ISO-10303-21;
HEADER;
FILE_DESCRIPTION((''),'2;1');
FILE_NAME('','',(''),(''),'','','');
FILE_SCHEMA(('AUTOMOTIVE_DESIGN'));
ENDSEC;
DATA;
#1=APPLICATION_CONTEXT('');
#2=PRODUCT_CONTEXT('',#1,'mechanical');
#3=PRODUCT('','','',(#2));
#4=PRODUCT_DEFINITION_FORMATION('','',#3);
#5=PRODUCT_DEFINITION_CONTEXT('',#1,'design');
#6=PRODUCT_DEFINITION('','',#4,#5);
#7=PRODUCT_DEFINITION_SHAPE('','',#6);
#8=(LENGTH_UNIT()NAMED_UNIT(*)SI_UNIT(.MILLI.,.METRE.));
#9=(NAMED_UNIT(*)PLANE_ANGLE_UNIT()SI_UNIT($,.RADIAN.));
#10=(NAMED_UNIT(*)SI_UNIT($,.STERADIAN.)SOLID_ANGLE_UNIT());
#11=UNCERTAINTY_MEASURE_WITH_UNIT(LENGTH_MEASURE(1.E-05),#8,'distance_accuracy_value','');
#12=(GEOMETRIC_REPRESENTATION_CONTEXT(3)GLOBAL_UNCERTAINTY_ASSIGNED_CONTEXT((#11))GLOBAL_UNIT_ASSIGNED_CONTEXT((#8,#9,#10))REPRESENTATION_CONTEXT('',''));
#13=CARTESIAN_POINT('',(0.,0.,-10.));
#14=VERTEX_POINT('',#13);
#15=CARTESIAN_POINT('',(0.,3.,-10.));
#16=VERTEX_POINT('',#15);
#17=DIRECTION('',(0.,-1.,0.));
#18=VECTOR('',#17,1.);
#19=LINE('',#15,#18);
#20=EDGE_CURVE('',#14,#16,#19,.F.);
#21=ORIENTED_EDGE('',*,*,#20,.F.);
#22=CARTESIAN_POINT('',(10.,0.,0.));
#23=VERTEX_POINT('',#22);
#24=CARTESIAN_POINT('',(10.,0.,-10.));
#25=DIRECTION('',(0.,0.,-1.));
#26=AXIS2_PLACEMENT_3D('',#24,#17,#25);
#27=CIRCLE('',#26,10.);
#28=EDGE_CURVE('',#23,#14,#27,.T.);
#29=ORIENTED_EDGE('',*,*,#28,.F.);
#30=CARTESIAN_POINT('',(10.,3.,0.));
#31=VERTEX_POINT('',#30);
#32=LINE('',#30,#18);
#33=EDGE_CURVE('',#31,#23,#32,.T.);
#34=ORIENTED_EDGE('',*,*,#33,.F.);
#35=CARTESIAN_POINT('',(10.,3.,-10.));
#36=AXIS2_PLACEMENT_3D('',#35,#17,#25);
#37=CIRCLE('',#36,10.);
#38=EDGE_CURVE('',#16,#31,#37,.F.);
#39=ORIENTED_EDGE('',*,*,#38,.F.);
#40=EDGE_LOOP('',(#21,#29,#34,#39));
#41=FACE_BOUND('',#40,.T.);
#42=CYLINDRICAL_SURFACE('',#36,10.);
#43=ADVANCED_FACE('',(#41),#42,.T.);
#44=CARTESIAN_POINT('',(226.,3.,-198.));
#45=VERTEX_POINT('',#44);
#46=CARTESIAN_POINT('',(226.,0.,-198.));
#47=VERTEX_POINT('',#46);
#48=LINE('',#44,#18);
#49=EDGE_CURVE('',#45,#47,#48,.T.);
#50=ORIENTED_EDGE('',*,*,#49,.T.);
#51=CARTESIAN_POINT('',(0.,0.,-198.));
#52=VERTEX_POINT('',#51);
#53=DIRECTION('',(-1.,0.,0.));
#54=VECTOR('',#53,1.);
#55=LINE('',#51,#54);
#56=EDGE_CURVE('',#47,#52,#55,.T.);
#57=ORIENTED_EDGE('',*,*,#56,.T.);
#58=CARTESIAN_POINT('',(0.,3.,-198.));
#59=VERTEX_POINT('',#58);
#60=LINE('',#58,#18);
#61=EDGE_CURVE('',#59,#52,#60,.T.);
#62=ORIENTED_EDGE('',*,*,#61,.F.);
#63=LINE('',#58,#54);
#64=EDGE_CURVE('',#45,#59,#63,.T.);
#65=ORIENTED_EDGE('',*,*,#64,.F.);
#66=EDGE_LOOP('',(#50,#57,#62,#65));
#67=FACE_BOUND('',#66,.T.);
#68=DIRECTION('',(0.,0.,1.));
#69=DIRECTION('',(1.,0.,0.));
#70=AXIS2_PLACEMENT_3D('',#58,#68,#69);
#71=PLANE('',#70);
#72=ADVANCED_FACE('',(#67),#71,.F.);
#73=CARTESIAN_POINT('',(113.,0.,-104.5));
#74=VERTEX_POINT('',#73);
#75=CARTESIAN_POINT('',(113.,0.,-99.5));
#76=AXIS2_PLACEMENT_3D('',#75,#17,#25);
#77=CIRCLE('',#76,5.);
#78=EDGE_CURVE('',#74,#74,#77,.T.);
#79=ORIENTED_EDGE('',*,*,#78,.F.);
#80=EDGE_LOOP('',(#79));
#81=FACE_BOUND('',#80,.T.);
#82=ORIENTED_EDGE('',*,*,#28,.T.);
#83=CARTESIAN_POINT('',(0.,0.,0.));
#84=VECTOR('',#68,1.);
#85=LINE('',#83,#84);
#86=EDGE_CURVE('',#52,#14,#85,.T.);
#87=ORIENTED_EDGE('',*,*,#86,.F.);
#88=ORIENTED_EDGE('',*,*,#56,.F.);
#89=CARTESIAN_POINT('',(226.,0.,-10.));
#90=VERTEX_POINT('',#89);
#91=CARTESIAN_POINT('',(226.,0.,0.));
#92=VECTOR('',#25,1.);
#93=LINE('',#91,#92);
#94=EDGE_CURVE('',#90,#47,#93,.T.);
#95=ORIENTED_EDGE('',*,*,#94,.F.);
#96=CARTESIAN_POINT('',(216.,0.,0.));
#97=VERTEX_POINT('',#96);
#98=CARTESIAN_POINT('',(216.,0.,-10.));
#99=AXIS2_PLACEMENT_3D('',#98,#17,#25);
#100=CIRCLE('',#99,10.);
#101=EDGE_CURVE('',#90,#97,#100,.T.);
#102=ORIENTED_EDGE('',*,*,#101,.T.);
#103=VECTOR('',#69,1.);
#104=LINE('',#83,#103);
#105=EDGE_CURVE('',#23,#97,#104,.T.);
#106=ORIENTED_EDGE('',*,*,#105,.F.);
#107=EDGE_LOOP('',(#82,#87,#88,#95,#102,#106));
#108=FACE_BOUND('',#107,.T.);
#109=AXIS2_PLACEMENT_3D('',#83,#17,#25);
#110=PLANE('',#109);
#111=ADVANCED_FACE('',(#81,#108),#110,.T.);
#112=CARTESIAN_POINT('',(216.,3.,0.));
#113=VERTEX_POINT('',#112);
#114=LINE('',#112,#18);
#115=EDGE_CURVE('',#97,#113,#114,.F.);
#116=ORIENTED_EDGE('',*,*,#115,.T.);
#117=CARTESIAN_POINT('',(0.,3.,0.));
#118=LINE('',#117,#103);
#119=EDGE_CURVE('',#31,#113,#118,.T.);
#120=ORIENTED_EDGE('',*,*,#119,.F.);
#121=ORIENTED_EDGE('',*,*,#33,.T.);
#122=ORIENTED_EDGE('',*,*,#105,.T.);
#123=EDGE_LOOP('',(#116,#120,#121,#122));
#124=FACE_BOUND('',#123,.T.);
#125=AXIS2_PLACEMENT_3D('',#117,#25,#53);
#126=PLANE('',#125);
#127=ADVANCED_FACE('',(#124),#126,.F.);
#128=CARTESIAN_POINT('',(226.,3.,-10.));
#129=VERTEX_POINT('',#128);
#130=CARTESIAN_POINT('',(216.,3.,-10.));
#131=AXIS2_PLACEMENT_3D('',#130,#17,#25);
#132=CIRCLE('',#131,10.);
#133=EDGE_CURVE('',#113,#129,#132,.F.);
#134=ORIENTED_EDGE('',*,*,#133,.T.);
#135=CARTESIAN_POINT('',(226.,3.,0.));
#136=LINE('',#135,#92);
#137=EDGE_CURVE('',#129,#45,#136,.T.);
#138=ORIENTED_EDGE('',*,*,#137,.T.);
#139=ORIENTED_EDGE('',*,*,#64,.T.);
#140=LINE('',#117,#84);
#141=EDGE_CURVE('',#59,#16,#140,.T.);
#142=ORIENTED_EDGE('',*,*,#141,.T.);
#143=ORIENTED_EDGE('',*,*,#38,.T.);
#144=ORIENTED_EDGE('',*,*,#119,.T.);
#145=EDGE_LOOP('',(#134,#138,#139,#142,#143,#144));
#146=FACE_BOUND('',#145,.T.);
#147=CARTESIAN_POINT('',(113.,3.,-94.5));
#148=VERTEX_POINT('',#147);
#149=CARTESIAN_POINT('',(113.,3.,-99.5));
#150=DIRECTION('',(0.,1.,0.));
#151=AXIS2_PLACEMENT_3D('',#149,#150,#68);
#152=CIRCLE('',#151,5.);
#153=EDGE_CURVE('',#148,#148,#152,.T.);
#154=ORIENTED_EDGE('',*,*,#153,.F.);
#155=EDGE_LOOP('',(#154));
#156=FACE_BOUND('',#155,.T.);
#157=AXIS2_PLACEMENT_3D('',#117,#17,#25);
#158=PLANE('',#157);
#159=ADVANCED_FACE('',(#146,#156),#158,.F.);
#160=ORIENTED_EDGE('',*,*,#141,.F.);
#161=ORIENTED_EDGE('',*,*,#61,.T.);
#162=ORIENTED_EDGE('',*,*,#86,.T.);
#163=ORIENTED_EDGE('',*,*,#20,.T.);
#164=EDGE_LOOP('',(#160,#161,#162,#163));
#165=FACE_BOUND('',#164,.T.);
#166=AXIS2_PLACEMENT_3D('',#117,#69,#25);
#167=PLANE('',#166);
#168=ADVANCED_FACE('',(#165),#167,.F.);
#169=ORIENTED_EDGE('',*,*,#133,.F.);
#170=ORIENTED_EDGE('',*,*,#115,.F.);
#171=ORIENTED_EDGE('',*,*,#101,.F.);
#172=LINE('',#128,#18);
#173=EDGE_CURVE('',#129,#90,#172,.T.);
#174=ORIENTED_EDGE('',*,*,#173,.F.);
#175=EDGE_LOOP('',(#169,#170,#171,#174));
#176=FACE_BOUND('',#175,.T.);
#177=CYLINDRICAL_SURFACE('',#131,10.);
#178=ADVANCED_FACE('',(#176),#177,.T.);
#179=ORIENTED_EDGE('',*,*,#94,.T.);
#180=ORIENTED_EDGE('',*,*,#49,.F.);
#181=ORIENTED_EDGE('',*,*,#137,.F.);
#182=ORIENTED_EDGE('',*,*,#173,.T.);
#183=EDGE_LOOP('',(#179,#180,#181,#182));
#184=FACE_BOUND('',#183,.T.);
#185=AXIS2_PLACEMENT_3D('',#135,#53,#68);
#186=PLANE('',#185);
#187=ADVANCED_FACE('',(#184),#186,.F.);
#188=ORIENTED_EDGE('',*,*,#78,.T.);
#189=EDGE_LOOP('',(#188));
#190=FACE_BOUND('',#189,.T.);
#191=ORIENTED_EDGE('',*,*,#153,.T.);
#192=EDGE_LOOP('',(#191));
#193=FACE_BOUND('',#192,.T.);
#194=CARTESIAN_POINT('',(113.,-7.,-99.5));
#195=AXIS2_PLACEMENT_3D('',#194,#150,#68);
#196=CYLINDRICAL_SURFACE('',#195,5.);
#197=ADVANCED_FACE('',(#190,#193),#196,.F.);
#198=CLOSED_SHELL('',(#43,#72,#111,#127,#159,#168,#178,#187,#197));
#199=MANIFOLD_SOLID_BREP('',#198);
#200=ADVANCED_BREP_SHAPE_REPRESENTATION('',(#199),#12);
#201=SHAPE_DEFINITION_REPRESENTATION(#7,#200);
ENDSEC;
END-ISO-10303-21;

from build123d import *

# Parameters (mm, degrees)
SKETCH1_W           = 226
SKETCH1_H           = 198
BOSS_EXTRUDE1_DEPTH = 3
INPUT_FOR_SPEAKER_R = 5
CUT_EXTRUDE1_DEPTH  = 10
FILLET1_R           = 10


with BuildPart() as part:
    # Sketch1 → Boss-Extrude1 (new body)
    with BuildSketch(Plane(origin=(0, 0, 0), x_dir=(1, 0, 0), z_dir=(0, 1, 0))):
        with Locations((113, 99)):
            Rectangle(SKETCH1_W, SKETCH1_H)
    extrude(amount=BOSS_EXTRUDE1_DEPTH)

    # Input for speaker → Cut-Extrude1 (cut)
    with BuildSketch(Plane(origin=(0, 3, 0), x_dir=(1, 0, 0), z_dir=(0, 1, 0))):
        with Locations(Location((113, 99.5, 0), (0, 0, 270))):
            Circle(INPUT_FOR_SPEAKER_R)
    extrude(amount=-CUT_EXTRUDE1_DEPTH, mode=Mode.SUBTRACT)

    # Fillet1
    fillet1_edges = [part.edges().sort_by_distance(p)[0] for p in [
        (226, 1.5, 0),
        (0, 1.5, 0),
    ]]
    fillet(fillet1_edges, radius=FILLET1_R)


solid = part.part
